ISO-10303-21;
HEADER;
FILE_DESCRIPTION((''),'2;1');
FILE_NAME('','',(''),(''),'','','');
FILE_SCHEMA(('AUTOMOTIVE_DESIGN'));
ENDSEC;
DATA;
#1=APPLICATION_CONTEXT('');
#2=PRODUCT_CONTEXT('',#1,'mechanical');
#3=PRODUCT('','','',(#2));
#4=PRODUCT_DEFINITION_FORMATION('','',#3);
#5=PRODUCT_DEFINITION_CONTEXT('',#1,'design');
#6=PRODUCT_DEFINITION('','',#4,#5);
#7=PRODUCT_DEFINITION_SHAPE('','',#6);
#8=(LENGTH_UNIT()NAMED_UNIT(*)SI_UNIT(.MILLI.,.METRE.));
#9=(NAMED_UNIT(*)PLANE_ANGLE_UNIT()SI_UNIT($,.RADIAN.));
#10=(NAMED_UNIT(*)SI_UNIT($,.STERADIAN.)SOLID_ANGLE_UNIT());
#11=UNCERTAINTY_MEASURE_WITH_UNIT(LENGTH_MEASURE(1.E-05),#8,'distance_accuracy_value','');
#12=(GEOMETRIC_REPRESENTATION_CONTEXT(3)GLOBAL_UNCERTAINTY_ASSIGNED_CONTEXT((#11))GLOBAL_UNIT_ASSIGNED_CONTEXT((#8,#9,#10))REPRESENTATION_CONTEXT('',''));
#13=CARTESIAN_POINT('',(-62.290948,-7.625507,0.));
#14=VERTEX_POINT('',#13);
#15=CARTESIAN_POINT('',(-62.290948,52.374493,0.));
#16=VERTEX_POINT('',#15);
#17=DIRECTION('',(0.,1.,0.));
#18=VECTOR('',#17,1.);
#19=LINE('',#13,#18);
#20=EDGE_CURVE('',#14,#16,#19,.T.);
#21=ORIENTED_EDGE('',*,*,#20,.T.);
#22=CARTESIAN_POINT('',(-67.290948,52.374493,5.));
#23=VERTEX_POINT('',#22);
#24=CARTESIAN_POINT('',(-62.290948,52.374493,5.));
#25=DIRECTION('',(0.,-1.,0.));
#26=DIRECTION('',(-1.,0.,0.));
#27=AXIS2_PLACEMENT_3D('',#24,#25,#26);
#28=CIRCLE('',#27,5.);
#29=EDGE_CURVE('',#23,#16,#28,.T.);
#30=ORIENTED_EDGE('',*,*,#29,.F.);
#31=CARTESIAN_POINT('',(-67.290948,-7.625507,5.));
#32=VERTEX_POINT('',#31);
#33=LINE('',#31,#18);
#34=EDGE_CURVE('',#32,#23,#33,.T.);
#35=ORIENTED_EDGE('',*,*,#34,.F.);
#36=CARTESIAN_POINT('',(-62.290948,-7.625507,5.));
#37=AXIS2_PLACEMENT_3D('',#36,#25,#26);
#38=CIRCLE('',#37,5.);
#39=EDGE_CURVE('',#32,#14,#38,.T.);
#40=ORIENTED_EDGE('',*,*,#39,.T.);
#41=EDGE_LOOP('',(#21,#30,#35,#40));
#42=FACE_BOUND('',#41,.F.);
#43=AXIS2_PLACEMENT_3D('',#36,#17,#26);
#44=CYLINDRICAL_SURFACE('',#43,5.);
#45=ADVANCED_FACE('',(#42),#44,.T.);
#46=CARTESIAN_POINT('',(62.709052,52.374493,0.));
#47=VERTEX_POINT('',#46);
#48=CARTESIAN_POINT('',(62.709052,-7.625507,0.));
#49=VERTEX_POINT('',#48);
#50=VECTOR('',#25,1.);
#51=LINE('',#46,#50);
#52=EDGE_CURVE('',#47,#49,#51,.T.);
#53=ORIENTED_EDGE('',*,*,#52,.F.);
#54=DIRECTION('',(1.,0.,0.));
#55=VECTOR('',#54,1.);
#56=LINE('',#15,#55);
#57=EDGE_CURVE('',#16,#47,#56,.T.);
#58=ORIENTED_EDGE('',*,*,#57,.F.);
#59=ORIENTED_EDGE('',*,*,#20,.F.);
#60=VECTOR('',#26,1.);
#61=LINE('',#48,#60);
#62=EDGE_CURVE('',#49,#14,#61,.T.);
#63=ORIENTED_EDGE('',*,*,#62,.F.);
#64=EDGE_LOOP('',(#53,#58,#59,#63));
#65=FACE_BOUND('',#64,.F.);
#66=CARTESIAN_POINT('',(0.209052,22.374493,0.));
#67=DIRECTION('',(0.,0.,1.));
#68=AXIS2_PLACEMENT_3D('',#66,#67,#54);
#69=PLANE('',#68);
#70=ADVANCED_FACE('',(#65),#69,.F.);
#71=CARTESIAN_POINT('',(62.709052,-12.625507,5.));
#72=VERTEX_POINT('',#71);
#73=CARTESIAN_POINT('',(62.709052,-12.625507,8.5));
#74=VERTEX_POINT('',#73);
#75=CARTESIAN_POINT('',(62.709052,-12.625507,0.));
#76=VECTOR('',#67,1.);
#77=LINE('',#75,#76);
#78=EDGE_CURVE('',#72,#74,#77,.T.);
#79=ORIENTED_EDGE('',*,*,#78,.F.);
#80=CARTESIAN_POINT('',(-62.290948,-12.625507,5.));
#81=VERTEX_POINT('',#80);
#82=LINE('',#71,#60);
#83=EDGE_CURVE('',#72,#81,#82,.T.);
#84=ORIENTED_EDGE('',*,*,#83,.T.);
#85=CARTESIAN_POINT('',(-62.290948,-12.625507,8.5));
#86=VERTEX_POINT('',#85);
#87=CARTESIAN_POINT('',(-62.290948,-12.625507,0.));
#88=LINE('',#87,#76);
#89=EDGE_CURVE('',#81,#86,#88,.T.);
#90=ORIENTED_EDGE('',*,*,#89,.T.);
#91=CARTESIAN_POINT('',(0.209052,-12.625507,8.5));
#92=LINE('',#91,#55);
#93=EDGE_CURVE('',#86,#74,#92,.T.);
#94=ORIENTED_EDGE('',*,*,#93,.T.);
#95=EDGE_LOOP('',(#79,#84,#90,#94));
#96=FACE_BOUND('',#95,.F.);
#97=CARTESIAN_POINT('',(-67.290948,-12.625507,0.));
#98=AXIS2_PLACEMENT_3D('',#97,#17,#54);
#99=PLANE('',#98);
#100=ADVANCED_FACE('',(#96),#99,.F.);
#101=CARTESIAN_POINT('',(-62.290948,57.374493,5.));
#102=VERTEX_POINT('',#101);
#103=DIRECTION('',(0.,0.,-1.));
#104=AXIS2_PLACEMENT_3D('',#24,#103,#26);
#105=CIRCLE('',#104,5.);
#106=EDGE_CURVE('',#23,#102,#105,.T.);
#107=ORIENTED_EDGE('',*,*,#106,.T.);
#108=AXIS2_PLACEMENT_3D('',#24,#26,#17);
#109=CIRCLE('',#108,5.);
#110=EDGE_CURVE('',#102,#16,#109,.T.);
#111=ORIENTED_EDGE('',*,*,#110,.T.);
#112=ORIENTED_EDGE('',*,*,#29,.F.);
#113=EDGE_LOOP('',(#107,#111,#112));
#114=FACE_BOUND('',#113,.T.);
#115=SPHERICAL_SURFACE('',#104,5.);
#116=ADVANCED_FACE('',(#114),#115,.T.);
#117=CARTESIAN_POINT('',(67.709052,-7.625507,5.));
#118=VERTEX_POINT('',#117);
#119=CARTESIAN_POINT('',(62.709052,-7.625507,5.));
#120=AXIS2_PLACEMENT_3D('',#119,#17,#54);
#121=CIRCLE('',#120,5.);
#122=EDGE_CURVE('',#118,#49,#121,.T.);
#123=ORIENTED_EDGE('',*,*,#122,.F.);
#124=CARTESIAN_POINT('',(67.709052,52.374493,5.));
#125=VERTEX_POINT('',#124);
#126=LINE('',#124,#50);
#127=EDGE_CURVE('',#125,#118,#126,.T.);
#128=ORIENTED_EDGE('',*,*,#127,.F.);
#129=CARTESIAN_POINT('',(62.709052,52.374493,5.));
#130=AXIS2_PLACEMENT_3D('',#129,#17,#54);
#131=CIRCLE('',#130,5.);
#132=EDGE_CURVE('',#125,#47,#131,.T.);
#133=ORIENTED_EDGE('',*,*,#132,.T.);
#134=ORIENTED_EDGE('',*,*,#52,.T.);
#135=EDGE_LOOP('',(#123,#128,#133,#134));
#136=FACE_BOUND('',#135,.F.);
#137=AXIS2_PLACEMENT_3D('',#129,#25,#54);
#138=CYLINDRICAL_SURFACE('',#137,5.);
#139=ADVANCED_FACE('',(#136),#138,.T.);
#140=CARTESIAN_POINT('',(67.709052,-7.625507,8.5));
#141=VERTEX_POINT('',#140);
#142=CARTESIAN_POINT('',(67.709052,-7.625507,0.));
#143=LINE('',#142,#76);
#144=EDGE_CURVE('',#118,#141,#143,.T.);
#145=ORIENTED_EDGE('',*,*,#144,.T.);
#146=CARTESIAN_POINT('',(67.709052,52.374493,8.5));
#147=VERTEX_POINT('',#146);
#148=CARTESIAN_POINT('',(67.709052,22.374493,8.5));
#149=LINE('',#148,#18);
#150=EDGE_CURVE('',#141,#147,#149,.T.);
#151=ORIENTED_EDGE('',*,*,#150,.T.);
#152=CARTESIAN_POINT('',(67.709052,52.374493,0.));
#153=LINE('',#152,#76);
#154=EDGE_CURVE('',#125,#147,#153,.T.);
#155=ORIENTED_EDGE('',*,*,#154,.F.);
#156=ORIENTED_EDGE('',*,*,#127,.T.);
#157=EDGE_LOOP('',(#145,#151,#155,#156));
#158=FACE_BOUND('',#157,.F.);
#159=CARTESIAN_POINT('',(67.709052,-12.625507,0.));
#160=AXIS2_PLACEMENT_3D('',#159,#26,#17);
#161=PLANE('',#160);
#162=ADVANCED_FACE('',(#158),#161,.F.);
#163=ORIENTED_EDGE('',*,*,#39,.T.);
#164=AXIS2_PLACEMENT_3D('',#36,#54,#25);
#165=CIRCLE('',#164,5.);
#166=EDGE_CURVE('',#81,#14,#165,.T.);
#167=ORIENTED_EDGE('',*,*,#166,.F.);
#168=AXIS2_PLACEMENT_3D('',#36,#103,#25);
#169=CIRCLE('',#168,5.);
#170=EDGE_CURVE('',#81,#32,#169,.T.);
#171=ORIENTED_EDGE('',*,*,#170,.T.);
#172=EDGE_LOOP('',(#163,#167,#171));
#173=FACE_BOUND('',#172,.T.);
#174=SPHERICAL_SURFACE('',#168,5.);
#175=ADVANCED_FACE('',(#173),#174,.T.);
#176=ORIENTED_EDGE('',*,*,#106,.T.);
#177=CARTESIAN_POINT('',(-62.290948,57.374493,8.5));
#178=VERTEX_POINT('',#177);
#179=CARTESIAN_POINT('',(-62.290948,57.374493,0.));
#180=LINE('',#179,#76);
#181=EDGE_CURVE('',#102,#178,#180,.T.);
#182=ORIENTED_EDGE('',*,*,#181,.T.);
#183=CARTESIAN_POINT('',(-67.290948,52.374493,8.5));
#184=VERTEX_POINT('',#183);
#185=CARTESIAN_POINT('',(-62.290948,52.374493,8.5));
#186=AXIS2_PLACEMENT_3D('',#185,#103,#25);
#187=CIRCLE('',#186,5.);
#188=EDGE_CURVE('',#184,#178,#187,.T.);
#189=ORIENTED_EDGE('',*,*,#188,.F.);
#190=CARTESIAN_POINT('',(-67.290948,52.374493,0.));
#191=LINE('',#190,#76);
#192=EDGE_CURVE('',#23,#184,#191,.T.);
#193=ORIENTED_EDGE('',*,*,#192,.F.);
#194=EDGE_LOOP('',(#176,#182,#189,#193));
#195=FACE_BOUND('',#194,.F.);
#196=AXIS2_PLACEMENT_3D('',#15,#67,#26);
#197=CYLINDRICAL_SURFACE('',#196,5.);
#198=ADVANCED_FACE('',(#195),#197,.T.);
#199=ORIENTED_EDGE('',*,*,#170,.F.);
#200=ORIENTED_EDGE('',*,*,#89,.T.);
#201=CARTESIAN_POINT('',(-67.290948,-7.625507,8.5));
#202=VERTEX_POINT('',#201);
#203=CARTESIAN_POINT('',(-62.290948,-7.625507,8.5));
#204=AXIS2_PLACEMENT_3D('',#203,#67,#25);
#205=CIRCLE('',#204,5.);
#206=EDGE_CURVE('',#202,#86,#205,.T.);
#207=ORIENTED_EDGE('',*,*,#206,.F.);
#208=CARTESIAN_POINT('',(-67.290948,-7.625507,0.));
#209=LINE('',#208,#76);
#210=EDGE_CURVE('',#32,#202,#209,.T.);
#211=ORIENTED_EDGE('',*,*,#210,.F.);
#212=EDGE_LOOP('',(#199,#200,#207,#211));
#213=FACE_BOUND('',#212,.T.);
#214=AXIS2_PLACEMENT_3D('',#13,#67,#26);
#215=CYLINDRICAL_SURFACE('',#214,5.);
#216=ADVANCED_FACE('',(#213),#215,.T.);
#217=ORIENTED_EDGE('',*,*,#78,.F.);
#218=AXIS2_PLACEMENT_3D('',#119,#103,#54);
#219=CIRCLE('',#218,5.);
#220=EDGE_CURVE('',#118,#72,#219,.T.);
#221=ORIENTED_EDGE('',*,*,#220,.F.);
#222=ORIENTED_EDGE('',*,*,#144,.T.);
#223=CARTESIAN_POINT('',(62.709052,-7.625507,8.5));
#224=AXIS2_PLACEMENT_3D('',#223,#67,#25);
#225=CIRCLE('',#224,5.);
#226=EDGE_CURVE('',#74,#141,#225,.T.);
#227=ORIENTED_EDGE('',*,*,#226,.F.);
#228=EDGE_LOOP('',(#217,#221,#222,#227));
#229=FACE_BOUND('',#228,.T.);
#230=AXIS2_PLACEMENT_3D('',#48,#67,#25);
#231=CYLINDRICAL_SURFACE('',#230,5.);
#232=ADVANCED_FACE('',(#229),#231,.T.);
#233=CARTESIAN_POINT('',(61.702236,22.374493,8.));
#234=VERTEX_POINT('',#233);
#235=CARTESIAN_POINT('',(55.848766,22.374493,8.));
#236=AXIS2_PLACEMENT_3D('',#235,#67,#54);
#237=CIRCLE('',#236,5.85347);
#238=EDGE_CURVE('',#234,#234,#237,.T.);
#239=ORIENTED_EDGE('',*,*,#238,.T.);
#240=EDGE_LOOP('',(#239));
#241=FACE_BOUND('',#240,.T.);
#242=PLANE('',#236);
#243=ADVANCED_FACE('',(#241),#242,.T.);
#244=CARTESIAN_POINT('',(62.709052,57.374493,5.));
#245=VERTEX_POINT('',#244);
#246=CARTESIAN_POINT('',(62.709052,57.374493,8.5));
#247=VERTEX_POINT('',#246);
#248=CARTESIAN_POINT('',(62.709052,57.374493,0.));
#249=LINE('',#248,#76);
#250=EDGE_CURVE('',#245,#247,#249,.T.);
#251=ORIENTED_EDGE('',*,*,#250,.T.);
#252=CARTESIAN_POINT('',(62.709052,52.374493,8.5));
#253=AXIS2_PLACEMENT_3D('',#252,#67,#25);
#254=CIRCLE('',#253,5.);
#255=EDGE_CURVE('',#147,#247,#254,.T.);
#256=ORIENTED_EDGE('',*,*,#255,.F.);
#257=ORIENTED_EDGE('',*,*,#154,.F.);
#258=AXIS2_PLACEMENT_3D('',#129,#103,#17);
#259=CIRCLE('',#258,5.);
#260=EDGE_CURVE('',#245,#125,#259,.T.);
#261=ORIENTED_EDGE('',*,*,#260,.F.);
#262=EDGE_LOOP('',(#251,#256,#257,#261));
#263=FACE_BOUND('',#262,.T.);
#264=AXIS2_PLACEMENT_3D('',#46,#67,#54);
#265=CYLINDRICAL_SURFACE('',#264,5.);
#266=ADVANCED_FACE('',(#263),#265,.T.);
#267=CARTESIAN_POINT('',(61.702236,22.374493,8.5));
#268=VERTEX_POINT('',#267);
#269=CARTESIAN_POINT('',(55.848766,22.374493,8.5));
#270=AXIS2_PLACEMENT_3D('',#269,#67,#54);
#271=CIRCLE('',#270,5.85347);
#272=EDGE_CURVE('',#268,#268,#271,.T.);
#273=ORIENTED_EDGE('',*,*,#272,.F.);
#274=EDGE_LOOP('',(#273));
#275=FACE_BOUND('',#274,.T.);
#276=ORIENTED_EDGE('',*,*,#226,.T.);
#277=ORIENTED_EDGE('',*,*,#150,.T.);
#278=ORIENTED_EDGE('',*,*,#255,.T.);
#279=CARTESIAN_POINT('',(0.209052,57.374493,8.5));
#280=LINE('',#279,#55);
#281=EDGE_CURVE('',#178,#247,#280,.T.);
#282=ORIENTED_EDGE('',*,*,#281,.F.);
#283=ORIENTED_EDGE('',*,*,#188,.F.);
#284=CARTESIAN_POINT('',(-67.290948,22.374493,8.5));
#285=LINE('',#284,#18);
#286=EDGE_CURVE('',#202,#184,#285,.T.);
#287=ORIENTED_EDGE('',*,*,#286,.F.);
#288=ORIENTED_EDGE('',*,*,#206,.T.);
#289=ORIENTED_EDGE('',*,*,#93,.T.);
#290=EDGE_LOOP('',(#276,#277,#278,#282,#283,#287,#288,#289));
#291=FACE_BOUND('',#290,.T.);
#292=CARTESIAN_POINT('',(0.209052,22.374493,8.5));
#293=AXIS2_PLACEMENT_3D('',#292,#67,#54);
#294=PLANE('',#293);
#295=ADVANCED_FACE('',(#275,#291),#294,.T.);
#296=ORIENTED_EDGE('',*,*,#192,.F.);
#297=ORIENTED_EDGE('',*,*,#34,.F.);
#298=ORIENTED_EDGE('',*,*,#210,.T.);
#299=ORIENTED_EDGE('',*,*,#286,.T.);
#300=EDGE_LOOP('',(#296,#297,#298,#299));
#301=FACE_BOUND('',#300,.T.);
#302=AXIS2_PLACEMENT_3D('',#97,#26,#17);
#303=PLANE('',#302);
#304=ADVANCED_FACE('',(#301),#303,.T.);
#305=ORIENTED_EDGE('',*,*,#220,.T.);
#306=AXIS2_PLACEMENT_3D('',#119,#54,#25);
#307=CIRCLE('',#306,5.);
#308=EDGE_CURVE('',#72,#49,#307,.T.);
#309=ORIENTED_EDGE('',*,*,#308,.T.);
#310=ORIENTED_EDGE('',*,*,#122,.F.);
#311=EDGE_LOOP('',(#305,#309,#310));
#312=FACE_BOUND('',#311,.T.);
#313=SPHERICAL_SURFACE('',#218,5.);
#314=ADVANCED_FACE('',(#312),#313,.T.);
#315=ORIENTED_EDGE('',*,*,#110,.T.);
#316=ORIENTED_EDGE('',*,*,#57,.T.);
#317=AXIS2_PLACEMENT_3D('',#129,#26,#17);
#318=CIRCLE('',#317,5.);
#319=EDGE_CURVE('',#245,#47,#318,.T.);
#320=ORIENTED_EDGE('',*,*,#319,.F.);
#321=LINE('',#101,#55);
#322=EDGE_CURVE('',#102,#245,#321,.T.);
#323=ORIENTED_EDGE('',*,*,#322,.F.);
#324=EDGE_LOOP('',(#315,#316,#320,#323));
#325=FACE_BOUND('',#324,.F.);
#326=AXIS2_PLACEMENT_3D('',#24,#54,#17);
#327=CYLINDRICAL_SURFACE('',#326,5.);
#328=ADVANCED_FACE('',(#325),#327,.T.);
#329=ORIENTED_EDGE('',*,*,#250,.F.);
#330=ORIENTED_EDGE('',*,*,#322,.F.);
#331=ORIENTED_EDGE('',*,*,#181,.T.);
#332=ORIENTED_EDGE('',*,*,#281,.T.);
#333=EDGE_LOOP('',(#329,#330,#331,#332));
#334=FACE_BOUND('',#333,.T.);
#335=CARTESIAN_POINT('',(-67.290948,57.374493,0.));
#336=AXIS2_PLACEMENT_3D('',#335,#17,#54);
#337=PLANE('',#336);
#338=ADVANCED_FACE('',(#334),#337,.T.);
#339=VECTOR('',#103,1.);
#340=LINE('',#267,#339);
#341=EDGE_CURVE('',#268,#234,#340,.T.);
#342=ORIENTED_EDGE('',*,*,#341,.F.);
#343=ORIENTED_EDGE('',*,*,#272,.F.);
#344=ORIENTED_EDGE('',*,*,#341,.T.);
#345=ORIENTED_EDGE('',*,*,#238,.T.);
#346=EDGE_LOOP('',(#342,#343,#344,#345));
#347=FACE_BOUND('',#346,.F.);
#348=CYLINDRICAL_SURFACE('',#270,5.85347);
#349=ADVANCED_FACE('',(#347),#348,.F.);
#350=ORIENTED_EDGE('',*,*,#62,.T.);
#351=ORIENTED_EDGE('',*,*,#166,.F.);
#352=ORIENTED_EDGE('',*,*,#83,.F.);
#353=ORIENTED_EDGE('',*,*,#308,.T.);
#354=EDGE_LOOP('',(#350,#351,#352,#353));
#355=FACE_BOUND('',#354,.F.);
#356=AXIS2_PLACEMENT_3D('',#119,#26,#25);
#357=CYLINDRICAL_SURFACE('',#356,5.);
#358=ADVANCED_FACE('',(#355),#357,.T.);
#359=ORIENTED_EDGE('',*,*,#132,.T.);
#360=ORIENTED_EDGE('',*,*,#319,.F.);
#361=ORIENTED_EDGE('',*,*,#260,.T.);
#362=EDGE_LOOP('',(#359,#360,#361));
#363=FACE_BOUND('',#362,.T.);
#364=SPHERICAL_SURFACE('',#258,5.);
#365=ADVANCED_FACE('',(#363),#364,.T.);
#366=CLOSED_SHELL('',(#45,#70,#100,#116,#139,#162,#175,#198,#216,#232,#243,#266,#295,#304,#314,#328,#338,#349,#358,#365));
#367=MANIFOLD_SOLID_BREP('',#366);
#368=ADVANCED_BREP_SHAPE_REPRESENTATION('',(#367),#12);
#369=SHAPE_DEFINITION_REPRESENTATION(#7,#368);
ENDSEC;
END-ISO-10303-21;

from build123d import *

# Parameters (mm, degrees)
F0_W     = 135
F0_H     = 70
F1_DEPTH = 8.5
F2_R     = 5
F3_R     = 5
F4_R     = 5.85347
F5_DEPTH = 0.5


with BuildPart() as f1:
    # F0 (on Top) → F1 (new body)
    with BuildSketch(Plane.XY):
        with Locations((0.209052, 22.374493)):
            Rectangle(F0_W, F0_H)
    extrude(amount=F1_DEPTH)

    # F2
    f2_edges = [f1.edges().sort_by_distance(p)[0] for p in [
        (67.709052, -12.625507, 4.25),
        (67.709052, 57.374493, 4.25),
        (-67.290948, -12.625507, 4.25),
        (-67.290948, 57.374493, 4.25),
    ]]
    fillet(f2_edges, radius=F2_R)

    # F3
    f3_edges = [f1.edges().sort_by_distance(p)[0] for p in [
        (-67.290948, 22.374493, 0),
    ]]
    fillet(f3_edges, radius=F3_R)

    # F4 (on face) → F5 (cut)
    with BuildSketch(Plane.XY.offset(8.5)):
        with Locations((55.848766, 22.374493)):
            Circle(F4_R)
    extrude(amount=-F5_DEPTH, mode=Mode.SUBTRACT)


solid = f1.part
